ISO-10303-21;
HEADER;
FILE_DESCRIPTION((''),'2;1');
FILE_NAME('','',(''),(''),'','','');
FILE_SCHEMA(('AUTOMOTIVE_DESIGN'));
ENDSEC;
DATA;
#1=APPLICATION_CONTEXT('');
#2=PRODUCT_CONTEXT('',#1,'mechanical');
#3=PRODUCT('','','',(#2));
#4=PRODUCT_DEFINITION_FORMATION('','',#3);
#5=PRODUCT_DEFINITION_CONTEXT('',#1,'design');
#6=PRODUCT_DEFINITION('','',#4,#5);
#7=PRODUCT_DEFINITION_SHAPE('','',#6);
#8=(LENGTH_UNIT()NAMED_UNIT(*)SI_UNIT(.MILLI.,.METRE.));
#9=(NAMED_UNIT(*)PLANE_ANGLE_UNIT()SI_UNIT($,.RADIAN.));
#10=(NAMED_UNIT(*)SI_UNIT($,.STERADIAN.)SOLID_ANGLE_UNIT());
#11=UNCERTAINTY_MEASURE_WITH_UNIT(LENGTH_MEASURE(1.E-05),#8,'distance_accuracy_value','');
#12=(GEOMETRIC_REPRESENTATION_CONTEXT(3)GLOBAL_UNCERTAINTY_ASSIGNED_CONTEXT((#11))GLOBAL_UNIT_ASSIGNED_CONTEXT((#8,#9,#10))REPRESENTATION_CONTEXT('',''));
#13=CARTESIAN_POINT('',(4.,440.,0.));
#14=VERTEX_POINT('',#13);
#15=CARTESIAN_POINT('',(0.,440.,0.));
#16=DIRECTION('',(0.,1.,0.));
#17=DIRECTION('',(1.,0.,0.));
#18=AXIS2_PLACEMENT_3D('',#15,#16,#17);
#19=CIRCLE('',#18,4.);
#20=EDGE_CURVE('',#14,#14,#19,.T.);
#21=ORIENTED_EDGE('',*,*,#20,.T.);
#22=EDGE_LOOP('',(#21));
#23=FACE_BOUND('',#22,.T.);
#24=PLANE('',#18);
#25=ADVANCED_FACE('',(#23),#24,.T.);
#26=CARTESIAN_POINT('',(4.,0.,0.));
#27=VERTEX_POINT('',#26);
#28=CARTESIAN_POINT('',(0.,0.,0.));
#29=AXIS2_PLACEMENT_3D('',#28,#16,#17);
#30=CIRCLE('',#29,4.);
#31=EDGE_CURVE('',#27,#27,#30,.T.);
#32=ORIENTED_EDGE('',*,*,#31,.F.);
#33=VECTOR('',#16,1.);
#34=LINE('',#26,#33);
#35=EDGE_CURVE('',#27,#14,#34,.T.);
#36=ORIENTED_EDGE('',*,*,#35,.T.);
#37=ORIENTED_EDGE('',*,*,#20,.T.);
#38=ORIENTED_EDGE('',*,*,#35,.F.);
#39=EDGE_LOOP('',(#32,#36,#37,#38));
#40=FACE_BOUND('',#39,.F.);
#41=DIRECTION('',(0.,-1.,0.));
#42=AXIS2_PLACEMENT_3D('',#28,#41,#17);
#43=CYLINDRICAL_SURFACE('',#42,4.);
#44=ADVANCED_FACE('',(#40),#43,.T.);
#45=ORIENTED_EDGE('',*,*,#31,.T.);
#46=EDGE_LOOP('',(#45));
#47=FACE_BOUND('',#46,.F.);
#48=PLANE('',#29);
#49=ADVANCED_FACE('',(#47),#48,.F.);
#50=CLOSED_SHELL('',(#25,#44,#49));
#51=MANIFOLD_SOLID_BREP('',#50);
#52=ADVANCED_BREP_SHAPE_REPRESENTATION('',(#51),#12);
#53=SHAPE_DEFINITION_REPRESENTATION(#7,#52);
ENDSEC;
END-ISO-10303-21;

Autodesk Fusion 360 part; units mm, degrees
sketch "Sketch1" plane through (0, 0, 0) normal (0, 1, 0) x (1, 0, 0)
  circle A0 centre (0, 0) radius 4
  dimension "d1" = 8
extrude "Extrude1" add sketch "Sketch1" along normal blind 440
